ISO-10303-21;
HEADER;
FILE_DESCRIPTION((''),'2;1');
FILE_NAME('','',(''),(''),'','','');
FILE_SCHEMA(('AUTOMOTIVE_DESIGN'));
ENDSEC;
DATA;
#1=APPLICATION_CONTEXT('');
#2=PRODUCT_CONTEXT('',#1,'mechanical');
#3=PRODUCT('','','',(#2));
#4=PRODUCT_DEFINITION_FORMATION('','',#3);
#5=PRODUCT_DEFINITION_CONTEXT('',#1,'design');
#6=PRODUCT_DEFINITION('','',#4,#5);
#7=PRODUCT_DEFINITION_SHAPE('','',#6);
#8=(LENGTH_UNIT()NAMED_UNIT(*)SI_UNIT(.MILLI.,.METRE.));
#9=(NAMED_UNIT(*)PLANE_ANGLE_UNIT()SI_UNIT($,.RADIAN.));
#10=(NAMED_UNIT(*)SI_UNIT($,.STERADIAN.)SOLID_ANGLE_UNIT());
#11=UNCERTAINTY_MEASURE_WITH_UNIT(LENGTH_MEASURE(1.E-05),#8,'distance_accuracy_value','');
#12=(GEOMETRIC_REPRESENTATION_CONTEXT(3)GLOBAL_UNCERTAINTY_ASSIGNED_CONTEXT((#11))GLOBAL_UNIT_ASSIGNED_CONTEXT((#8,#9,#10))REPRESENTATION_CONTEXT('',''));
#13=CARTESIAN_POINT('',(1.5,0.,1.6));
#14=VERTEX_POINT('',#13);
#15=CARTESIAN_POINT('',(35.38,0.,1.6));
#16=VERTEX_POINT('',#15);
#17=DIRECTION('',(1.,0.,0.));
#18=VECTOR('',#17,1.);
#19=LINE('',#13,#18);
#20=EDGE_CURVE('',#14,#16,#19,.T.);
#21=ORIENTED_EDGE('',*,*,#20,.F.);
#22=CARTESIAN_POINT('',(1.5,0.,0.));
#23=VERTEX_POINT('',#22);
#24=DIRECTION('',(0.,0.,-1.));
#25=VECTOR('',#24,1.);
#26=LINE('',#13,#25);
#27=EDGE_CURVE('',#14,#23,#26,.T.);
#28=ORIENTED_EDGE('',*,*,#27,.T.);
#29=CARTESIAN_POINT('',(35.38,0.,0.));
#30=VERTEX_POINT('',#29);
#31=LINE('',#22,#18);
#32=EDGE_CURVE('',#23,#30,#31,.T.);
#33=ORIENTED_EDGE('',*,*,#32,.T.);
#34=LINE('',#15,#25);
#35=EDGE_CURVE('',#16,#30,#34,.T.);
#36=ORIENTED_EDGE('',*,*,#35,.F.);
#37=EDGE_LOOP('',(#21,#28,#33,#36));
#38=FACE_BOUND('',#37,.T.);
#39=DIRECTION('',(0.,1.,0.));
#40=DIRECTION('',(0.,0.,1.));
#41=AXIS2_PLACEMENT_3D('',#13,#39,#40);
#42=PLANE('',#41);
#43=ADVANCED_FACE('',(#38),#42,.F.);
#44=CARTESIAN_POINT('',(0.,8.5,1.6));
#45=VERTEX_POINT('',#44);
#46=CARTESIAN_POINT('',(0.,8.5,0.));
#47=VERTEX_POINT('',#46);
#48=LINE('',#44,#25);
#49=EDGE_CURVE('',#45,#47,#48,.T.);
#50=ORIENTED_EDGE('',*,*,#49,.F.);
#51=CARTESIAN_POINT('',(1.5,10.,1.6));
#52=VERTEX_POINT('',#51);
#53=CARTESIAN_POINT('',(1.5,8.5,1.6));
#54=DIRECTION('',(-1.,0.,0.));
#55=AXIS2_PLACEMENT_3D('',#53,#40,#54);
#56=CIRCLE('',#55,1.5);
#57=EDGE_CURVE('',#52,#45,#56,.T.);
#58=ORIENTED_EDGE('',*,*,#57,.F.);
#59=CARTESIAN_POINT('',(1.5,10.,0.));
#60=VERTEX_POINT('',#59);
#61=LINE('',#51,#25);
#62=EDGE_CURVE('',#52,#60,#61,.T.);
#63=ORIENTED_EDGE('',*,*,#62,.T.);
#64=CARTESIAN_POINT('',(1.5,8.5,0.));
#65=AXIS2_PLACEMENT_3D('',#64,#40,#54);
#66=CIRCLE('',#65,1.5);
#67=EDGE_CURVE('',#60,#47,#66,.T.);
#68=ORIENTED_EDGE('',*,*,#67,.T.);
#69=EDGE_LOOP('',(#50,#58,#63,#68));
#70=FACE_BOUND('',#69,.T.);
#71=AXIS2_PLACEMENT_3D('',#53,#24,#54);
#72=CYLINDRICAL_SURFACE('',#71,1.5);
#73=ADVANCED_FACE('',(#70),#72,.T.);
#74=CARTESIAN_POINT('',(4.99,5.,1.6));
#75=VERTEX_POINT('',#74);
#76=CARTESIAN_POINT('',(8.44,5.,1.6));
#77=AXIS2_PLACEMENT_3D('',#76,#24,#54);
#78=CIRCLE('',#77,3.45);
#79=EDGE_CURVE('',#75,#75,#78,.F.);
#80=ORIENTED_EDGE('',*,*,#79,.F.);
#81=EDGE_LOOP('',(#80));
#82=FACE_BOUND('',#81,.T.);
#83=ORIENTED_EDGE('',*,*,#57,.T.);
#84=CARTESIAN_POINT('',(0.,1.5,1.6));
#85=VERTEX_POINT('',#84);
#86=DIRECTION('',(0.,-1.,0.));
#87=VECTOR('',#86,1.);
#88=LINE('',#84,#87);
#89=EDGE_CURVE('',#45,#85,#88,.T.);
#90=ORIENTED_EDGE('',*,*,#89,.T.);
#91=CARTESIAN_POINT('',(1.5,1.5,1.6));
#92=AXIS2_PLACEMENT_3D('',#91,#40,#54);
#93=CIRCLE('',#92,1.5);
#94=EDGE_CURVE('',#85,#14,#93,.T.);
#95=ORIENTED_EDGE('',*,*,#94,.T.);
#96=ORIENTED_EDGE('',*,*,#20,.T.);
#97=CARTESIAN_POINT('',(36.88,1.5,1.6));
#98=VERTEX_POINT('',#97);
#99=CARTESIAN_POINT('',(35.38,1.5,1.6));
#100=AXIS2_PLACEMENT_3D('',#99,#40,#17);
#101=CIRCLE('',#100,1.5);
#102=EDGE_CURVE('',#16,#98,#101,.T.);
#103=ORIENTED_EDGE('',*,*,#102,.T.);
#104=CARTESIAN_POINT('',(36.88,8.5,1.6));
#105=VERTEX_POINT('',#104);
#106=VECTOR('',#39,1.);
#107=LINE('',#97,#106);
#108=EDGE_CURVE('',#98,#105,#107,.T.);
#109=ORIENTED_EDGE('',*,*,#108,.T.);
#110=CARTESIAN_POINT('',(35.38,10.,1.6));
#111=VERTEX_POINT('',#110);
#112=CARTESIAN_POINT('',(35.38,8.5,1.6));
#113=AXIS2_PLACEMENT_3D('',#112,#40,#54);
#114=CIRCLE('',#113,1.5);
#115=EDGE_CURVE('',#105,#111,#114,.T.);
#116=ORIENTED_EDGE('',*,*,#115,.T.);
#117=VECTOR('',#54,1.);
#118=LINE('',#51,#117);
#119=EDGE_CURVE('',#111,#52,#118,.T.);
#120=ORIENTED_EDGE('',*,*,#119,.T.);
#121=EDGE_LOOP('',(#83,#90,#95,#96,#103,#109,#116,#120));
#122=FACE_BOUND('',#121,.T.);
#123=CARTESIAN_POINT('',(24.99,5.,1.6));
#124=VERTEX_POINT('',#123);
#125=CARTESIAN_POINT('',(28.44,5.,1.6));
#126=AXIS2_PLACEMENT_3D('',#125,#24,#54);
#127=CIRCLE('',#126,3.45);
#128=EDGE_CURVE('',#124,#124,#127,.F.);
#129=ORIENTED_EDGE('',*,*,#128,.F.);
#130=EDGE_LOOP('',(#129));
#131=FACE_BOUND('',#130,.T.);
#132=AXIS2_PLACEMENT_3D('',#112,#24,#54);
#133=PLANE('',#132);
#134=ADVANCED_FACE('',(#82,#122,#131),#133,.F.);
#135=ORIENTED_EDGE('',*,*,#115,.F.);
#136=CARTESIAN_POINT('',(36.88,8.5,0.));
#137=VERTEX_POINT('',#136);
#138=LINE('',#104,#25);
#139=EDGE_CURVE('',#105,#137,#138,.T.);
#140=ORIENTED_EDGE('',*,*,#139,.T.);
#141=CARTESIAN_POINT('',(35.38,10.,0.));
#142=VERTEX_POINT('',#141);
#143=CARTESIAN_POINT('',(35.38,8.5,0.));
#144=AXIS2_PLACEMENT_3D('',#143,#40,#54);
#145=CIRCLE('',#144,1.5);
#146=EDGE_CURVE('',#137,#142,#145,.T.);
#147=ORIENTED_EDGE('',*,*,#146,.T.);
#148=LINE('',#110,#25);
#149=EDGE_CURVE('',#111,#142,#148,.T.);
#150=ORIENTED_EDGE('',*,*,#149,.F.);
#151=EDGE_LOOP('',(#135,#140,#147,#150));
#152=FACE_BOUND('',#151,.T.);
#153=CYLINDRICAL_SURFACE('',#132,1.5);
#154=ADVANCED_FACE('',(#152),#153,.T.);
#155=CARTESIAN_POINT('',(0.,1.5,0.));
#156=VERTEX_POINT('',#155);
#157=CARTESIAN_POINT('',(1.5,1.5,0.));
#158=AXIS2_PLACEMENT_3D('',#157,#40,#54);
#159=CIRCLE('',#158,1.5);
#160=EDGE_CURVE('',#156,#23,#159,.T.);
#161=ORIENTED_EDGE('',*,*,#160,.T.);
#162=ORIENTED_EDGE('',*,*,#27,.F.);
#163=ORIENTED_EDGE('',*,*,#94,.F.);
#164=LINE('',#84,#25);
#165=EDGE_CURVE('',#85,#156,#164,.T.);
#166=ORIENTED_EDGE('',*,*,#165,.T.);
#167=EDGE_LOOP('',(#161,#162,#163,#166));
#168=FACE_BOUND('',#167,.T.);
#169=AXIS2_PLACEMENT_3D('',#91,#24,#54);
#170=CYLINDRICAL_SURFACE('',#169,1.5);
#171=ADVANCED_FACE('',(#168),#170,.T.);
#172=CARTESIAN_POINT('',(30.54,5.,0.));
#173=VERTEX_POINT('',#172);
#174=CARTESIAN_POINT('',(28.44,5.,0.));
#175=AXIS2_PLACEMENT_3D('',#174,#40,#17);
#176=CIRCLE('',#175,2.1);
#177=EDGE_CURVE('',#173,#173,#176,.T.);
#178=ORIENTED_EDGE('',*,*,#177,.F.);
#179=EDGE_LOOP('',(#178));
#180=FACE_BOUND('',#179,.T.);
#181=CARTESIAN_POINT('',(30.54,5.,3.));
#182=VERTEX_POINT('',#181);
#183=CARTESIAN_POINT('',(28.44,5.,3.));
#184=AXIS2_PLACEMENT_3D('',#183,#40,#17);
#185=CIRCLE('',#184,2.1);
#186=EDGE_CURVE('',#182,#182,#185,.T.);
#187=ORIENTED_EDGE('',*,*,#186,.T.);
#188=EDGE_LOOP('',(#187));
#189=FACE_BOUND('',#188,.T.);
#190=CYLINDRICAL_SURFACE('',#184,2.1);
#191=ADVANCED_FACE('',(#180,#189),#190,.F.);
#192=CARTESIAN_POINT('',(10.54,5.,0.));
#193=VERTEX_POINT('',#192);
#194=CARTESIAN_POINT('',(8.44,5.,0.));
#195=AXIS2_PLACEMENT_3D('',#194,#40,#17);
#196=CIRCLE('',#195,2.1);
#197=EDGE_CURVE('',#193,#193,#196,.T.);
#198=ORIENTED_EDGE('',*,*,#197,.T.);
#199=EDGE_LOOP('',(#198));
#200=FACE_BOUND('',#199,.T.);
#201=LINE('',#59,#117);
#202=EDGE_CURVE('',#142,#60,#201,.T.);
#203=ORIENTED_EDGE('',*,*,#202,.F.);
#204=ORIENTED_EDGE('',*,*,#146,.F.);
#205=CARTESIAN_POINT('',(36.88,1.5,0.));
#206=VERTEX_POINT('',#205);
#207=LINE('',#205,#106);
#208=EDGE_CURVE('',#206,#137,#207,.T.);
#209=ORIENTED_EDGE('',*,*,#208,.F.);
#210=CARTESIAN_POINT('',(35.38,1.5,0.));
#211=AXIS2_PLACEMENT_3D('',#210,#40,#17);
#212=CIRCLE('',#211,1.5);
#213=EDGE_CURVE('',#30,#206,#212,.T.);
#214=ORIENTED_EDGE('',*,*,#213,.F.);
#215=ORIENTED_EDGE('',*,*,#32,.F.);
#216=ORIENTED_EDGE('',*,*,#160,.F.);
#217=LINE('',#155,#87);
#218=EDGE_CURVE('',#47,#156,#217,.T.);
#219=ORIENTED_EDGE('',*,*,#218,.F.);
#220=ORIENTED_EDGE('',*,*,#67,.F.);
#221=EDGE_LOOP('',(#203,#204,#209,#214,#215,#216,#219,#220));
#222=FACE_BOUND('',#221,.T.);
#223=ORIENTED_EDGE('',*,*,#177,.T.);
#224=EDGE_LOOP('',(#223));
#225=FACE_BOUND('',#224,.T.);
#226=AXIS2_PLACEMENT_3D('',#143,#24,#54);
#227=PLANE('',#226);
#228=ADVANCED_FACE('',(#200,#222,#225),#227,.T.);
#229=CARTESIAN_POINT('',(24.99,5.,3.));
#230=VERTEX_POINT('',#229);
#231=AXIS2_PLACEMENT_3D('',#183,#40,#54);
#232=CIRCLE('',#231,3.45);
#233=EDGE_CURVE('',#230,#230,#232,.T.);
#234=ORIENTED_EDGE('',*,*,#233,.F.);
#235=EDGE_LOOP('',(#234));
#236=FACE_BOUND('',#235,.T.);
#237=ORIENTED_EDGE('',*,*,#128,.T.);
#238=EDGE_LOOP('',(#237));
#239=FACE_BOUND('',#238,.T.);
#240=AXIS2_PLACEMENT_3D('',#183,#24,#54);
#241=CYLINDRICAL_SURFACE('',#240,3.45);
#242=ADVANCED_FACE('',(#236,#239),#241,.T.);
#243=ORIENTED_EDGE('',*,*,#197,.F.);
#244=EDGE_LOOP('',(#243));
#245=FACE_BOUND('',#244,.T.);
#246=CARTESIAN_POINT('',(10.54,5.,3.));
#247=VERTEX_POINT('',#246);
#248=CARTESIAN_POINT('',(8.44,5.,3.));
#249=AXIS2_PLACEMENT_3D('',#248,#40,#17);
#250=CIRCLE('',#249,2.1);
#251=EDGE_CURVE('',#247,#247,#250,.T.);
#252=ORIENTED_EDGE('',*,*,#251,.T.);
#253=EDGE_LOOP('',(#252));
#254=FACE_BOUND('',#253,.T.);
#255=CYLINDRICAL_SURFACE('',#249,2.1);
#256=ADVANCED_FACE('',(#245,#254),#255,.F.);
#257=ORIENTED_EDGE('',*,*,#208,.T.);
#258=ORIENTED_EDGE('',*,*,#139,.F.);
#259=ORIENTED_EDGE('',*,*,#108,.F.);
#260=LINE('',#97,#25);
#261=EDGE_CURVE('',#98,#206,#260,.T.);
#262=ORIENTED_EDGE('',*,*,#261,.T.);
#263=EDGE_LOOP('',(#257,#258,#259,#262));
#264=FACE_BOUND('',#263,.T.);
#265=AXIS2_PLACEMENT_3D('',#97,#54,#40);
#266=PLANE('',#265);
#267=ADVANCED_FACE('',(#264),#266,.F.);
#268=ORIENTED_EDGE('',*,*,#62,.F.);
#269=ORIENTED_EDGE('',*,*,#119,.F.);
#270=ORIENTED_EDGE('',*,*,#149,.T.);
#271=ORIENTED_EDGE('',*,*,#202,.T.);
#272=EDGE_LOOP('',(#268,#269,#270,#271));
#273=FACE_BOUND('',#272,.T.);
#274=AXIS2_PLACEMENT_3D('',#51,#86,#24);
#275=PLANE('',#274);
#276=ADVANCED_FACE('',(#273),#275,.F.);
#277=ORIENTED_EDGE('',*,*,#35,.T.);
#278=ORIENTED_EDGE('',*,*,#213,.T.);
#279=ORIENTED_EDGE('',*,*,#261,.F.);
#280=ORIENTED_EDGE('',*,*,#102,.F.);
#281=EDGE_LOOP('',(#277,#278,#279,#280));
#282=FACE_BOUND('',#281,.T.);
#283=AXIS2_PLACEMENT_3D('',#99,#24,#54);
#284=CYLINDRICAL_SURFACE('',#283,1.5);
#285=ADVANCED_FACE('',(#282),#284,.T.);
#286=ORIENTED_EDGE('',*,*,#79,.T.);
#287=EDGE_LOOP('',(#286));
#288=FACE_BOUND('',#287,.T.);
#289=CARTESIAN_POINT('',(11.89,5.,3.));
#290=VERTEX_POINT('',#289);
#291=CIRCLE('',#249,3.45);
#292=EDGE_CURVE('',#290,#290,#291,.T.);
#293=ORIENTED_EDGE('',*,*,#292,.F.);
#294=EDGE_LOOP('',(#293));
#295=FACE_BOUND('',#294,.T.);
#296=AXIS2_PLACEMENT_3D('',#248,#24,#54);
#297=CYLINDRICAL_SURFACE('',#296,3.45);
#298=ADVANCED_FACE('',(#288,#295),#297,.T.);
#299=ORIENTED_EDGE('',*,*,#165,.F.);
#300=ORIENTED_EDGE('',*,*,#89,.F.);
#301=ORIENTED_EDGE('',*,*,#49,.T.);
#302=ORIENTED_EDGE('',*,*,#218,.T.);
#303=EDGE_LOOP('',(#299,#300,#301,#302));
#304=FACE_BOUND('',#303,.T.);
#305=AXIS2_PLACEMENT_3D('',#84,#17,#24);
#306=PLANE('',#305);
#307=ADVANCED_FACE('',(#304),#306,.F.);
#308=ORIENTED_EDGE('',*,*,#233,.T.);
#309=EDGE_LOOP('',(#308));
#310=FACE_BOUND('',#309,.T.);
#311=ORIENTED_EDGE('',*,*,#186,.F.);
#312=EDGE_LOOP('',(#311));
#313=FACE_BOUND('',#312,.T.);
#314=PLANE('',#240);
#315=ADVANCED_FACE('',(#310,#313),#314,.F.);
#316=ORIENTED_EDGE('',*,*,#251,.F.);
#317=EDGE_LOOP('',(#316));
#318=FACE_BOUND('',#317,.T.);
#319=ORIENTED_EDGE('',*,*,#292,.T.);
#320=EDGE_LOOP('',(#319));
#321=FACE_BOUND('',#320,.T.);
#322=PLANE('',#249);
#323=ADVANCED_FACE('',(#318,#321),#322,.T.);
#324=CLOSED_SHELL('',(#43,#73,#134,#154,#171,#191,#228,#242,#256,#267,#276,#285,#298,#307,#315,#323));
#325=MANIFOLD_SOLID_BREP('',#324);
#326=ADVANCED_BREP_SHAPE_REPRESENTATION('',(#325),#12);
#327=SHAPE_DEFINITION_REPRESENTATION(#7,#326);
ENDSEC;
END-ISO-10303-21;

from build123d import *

# Parameters (mm, degrees)
BOSS_EXTRUDE1_DEPTH   = 1.6
SKETCH2_R             = 3.45
BOSS_EXTRUDE2_DEPTH   = 1.4
M5X0_8_TAPPED_HOLE1_D = 4.2


with BuildPart() as part:
    # Sketch1 → Boss-Extrude1 (new body)
    with BuildSketch(Plane.XY):
        with BuildLine():
            Line((1.5, 0), (35.38, 0))
            ThreePointArc((35.38, 0), (36.440660172, 0.439339828), (36.88, 1.5))
            Line((36.88, 1.5), (36.88, 8.5))
            ThreePointArc((36.88, 8.5), (36.440660172, 9.560660172), (35.38, 10))
            Line((35.38, 10), (1.5, 10))
            ThreePointArc((1.5, 10), (0.439339828, 9.560660172), (0, 8.5))
            Line((0, 8.5), (0, 1.5))
            ThreePointArc((0, 1.5), (0.439339828, 0.439339828), (1.5, 0))
        make_face()
    extrude(amount=BOSS_EXTRUDE1_DEPTH)

    # Sketch2 → Boss-Extrude2 (add)
    with BuildSketch(Plane.XY.offset(1.6)):
        with Locations((8.44, 5)):
            Circle(SKETCH2_R)
        with Locations((28.44, 5)):
            Circle(SKETCH2_R)
    extrude(amount=BOSS_EXTRUDE2_DEPTH)

    # M5x0.8 Tapped Hole1 (through all)
    with Locations(Plane.XY.offset(3)):
        with Locations((8.44, 5), (28.44, 5)):
            Hole(M5X0_8_TAPPED_HOLE1_D / 2)


solid = part.part
